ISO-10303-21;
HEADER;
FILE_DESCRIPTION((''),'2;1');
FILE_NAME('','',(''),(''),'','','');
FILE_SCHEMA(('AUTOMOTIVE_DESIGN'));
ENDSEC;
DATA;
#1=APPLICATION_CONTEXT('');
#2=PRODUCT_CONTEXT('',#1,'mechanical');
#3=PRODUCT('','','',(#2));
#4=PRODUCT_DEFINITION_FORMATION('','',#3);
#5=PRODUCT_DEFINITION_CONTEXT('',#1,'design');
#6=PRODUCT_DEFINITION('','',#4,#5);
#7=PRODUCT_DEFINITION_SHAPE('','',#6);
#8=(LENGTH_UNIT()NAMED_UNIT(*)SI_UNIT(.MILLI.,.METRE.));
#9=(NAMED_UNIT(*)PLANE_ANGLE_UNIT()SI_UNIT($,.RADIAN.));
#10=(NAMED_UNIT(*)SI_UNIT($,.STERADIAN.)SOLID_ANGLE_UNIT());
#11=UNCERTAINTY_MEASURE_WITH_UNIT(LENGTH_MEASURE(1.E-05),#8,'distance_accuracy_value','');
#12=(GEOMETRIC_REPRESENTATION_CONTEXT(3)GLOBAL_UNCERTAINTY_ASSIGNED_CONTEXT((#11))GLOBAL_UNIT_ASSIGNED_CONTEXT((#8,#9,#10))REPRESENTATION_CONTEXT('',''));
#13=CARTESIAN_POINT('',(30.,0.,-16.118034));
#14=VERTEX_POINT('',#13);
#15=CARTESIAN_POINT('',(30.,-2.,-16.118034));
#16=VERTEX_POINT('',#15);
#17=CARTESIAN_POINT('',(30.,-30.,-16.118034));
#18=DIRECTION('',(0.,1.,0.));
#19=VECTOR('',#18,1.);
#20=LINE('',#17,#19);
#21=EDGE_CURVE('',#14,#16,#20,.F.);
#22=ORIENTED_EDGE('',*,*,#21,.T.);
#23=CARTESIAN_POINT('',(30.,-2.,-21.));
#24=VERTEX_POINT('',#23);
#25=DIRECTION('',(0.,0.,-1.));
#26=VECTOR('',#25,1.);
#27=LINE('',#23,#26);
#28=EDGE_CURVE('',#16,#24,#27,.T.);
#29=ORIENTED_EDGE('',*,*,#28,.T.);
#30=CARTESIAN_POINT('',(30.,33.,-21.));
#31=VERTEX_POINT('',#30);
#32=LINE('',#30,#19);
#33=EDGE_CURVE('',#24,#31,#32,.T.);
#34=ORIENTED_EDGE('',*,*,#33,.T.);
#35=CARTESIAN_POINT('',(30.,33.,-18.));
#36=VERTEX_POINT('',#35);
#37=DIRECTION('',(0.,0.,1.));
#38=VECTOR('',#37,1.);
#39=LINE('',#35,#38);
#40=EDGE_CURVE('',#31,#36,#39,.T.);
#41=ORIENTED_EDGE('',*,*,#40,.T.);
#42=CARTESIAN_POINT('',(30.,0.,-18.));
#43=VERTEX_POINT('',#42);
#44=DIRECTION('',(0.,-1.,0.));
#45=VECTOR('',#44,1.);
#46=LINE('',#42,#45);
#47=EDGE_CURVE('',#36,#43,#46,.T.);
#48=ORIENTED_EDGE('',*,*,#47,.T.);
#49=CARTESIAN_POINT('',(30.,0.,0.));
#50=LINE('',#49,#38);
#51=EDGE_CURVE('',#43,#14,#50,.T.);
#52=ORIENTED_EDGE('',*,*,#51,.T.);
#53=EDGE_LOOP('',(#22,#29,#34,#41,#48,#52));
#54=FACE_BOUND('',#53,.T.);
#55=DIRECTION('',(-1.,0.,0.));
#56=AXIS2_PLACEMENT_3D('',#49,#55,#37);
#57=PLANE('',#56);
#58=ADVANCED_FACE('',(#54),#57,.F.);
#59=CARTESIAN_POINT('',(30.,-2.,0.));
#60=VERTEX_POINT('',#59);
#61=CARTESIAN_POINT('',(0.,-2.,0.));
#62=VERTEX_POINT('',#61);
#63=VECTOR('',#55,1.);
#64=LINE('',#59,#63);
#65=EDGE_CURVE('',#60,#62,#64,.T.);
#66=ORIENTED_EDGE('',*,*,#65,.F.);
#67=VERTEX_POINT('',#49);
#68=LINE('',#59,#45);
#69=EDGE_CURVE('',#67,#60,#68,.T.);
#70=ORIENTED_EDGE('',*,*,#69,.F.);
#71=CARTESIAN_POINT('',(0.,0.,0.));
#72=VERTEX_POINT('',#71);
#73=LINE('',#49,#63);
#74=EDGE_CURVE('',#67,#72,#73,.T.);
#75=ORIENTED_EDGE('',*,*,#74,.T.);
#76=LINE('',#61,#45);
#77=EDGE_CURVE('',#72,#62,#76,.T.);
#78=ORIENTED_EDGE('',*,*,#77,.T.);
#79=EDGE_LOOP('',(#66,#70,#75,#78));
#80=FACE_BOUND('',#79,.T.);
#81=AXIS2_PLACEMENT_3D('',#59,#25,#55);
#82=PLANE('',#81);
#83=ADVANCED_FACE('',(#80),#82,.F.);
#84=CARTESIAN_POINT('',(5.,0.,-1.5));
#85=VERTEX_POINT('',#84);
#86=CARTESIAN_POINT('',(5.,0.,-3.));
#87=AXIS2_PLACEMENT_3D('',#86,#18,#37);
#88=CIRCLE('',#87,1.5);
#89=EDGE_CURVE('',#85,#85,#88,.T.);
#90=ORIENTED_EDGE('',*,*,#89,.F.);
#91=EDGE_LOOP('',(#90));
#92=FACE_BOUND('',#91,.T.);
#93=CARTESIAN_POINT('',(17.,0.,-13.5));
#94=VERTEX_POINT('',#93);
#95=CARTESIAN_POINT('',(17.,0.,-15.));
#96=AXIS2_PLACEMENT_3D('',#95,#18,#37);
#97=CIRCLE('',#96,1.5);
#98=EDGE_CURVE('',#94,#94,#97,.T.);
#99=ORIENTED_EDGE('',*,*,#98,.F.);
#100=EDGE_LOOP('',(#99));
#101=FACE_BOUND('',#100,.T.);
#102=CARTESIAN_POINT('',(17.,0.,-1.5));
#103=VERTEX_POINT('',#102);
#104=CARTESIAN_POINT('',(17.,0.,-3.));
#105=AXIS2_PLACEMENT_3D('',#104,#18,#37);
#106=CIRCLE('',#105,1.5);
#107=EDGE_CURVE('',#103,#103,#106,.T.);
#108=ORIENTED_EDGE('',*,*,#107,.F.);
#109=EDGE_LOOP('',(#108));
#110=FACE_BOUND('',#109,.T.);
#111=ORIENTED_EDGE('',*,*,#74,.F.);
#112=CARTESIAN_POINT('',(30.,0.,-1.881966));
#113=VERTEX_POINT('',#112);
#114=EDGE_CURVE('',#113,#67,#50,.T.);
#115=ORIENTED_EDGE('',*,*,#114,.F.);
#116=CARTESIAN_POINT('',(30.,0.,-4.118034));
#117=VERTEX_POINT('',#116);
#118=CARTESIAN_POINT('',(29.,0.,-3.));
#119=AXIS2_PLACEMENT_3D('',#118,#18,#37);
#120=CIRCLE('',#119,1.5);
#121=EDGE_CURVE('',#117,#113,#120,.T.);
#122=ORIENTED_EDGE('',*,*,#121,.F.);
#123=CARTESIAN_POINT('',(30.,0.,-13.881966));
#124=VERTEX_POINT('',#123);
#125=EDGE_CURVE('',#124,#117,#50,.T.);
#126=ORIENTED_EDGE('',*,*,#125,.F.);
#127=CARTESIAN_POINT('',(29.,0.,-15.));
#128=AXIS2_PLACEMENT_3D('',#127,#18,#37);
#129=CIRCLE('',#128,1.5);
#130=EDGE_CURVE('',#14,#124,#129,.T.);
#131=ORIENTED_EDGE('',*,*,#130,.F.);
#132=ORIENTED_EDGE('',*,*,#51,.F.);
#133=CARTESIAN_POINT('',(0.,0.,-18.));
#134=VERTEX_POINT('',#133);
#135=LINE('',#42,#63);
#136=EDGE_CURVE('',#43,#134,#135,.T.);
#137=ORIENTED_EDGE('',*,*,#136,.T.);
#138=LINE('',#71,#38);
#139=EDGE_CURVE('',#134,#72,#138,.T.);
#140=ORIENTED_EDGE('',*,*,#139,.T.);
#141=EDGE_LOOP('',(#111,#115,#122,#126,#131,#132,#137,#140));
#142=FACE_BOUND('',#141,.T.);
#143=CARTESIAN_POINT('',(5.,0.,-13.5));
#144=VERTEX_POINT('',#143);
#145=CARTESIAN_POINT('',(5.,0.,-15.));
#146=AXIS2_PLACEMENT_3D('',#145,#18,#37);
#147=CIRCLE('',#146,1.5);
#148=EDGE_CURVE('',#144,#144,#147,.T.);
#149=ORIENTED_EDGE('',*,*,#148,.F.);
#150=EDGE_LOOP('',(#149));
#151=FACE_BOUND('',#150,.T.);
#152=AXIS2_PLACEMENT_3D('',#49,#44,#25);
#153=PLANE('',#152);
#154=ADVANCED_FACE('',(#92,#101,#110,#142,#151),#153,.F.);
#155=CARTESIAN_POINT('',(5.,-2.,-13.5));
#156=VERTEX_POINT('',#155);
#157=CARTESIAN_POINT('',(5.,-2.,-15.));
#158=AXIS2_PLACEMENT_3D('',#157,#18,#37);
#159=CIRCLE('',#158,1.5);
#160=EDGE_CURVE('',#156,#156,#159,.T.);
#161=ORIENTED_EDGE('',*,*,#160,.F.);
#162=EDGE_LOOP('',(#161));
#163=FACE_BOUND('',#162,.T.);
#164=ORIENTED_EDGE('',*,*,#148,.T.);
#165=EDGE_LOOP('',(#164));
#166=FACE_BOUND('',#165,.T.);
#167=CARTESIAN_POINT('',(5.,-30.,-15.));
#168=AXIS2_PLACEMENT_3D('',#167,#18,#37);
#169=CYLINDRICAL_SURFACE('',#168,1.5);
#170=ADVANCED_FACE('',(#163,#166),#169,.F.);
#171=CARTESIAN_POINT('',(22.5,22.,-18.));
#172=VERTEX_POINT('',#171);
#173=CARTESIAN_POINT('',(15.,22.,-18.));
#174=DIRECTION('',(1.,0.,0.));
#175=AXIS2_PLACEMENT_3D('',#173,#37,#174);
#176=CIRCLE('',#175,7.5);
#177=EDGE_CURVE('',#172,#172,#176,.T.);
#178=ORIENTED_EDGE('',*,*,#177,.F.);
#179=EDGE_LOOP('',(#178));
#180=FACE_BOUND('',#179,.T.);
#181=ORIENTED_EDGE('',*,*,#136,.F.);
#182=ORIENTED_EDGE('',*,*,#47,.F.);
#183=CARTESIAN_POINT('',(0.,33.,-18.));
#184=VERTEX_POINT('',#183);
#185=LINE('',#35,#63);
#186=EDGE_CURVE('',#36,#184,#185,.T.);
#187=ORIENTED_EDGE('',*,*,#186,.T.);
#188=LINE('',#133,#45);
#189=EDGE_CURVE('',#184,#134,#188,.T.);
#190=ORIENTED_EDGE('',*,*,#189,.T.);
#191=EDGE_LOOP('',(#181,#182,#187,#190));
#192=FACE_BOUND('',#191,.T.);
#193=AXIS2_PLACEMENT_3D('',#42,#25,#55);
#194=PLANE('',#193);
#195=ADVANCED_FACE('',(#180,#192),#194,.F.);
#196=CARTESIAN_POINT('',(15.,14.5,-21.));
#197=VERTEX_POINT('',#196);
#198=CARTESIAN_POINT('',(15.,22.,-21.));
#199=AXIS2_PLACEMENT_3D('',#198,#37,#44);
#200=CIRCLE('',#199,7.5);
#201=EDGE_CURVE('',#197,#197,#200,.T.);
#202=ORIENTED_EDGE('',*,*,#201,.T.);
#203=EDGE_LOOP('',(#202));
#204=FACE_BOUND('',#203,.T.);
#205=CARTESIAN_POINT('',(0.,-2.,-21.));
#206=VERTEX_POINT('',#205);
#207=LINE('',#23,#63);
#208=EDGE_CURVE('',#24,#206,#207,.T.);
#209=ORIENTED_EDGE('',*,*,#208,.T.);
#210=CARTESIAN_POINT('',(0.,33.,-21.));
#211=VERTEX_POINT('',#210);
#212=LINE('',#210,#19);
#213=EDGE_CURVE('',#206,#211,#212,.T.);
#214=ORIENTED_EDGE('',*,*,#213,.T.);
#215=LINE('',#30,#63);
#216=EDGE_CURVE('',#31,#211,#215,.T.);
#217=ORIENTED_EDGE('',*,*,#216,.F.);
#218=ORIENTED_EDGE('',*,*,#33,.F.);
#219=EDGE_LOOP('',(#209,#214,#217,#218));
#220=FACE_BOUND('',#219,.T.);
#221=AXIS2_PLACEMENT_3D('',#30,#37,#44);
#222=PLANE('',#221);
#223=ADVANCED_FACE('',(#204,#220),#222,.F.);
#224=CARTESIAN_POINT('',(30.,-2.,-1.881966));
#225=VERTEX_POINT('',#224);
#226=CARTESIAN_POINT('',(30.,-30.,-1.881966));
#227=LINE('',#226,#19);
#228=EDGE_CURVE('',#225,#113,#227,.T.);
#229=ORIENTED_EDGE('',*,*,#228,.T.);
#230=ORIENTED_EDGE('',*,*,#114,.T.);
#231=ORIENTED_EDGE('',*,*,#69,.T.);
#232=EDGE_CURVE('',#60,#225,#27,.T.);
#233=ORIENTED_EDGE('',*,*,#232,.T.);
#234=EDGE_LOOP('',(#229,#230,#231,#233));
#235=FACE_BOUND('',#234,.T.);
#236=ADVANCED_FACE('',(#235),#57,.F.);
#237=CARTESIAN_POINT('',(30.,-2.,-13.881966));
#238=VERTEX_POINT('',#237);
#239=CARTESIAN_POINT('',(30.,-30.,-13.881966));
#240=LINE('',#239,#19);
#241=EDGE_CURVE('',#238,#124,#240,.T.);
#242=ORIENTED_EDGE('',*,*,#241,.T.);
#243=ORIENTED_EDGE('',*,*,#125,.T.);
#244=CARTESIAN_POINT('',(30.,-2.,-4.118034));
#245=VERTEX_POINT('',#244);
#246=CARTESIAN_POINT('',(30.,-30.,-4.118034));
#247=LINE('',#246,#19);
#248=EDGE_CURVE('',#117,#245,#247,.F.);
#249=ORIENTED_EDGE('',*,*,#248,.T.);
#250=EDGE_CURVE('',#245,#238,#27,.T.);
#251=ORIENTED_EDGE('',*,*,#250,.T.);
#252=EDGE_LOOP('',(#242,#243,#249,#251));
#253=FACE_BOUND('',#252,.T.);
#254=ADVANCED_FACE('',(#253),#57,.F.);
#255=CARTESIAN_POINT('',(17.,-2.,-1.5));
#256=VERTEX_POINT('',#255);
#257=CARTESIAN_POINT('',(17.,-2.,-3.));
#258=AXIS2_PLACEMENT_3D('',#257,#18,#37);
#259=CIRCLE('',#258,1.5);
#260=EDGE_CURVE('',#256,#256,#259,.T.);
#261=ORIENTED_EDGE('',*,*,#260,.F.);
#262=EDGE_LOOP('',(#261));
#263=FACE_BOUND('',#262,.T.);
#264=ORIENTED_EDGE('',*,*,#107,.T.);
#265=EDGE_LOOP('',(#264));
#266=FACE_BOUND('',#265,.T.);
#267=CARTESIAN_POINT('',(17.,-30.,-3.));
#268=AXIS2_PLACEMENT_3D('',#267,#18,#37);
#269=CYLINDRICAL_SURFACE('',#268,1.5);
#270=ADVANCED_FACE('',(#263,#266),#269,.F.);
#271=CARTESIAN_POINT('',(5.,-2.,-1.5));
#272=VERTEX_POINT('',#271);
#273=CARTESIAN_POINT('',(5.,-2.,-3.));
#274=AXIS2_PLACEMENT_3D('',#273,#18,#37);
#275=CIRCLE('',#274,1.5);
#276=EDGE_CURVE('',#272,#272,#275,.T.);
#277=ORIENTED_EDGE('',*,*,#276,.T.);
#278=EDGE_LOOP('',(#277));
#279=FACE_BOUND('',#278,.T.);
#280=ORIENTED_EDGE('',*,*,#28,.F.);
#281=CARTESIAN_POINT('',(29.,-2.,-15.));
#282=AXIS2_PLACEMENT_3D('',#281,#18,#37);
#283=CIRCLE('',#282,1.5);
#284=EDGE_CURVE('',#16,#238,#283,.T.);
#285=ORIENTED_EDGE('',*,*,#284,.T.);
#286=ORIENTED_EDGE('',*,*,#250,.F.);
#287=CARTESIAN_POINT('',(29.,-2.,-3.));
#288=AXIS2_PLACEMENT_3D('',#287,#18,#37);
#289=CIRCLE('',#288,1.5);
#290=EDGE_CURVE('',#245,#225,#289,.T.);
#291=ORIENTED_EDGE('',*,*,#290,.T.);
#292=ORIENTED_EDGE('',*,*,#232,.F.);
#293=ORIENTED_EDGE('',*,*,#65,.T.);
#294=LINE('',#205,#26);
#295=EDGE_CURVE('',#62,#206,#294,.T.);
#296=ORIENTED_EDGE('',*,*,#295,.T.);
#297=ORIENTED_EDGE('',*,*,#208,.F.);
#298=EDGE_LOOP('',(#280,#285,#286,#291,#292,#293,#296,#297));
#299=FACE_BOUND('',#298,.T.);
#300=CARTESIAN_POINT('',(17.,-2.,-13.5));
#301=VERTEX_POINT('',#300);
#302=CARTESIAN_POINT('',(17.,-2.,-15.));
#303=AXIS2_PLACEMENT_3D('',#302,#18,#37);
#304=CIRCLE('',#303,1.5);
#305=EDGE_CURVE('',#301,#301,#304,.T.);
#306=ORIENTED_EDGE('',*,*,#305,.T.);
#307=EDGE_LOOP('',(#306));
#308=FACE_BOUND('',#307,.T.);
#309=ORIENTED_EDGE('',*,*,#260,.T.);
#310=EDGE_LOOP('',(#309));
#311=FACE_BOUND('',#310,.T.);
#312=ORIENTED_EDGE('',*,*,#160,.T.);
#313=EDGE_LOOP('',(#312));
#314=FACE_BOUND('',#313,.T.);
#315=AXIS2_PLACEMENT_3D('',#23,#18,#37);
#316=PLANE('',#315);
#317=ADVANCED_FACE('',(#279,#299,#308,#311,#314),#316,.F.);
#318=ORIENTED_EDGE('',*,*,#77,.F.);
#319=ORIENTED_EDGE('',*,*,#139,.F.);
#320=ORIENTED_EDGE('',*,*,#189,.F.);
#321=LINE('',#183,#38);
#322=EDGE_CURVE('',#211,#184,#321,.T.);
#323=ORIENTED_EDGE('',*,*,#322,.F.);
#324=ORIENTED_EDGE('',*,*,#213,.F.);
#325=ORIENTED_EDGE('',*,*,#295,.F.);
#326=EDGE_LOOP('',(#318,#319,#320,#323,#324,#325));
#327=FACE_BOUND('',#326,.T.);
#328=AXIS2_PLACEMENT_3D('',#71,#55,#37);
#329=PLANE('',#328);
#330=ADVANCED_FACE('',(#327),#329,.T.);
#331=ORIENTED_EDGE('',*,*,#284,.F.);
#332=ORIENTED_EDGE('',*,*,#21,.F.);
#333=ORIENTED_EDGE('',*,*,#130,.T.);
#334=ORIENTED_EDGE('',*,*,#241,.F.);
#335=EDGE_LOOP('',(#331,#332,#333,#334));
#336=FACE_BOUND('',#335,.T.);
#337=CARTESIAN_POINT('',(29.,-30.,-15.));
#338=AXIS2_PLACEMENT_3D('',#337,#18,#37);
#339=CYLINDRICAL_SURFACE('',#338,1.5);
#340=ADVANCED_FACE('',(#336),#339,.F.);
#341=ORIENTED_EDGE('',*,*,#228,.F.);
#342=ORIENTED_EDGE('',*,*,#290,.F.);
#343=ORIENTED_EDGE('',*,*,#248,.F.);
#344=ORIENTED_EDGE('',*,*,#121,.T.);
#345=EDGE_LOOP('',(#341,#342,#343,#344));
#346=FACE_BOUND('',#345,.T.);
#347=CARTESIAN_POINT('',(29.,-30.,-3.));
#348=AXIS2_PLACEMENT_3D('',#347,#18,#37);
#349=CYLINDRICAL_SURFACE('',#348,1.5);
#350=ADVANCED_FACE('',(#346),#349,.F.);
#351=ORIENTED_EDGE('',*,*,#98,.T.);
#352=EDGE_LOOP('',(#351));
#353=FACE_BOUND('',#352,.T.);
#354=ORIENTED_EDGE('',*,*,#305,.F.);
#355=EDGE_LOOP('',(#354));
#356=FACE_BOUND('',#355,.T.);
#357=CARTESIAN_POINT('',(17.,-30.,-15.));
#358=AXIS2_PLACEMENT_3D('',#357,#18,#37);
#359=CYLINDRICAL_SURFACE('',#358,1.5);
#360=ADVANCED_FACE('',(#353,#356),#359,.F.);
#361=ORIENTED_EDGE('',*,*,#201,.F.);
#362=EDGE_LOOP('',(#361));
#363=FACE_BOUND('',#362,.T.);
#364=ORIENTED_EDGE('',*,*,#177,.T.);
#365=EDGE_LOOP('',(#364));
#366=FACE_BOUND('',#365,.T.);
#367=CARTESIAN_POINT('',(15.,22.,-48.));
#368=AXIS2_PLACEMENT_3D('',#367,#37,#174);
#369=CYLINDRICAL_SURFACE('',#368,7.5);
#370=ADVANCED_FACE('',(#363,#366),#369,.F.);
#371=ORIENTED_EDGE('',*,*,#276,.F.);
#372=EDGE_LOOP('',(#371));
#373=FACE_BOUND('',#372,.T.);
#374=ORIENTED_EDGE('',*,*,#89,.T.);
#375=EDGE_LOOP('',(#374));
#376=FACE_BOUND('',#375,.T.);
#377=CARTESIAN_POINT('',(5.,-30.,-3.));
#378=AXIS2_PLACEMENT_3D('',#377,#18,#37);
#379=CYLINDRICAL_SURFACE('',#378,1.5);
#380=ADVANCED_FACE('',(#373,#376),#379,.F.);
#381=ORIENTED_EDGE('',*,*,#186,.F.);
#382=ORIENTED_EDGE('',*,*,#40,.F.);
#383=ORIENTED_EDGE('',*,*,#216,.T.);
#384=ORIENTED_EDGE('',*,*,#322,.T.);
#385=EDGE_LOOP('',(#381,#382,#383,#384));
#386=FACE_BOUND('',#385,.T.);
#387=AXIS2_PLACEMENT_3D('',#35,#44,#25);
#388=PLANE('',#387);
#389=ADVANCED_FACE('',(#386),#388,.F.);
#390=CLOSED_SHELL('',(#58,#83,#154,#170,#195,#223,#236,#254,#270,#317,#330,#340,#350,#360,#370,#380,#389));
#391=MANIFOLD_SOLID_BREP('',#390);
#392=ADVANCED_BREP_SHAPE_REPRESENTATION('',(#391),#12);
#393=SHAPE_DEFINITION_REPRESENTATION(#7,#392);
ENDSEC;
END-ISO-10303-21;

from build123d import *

# Parameters (mm, degrees)
BOSS_EXTRUDE1_DEPTH = 30
SKETCH2_R           = 7.5
CUT_EXTRUDE1_DEPTH  = 30
SKETCH5_R           = 1.5
CUT_EXTRUDE2_DEPTH  = 30


with BuildPart() as part:
    # Sketch1 → Boss-Extrude1 (new body)
    with BuildSketch(Plane(origin=(0, 0, 0), x_dir=(0, 0, -1), z_dir=(1, 0, 0))):
        Polygon((0, 0), (18, 0), (18, 33), (21, 33), (21, -2), (0, -2), align=None)
    extrude(amount=BOSS_EXTRUDE1_DEPTH)

    # Sketch2 → Cut-Extrude1 (cut)
    with BuildSketch(Plane.XY.offset(-18)):
        with Locations((15, 22)):
            Circle(SKETCH2_R)
    extrude(amount=-CUT_EXTRUDE1_DEPTH, mode=Mode.SUBTRACT)

    # Sketch5 → Cut-Extrude2 (cut)
    with BuildSketch(Plane(origin=(0, 0, 0), x_dir=(1, 0, 0), z_dir=(0, 1, 0))):
        with Locations((5, 3)):
            Circle(SKETCH5_R)
        with Locations((17, 3)):
            Circle(SKETCH5_R)
        with Locations((29, 3)):
            Circle(SKETCH5_R)
        with Locations((17, 15)):
            Circle(SKETCH5_R)
        with Locations((29, 15)):
            Circle(SKETCH5_R)
        with Locations((5, 15)):
            Circle(SKETCH5_R)
    extrude(amount=-CUT_EXTRUDE2_DEPTH, mode=Mode.SUBTRACT)


solid = part.part
